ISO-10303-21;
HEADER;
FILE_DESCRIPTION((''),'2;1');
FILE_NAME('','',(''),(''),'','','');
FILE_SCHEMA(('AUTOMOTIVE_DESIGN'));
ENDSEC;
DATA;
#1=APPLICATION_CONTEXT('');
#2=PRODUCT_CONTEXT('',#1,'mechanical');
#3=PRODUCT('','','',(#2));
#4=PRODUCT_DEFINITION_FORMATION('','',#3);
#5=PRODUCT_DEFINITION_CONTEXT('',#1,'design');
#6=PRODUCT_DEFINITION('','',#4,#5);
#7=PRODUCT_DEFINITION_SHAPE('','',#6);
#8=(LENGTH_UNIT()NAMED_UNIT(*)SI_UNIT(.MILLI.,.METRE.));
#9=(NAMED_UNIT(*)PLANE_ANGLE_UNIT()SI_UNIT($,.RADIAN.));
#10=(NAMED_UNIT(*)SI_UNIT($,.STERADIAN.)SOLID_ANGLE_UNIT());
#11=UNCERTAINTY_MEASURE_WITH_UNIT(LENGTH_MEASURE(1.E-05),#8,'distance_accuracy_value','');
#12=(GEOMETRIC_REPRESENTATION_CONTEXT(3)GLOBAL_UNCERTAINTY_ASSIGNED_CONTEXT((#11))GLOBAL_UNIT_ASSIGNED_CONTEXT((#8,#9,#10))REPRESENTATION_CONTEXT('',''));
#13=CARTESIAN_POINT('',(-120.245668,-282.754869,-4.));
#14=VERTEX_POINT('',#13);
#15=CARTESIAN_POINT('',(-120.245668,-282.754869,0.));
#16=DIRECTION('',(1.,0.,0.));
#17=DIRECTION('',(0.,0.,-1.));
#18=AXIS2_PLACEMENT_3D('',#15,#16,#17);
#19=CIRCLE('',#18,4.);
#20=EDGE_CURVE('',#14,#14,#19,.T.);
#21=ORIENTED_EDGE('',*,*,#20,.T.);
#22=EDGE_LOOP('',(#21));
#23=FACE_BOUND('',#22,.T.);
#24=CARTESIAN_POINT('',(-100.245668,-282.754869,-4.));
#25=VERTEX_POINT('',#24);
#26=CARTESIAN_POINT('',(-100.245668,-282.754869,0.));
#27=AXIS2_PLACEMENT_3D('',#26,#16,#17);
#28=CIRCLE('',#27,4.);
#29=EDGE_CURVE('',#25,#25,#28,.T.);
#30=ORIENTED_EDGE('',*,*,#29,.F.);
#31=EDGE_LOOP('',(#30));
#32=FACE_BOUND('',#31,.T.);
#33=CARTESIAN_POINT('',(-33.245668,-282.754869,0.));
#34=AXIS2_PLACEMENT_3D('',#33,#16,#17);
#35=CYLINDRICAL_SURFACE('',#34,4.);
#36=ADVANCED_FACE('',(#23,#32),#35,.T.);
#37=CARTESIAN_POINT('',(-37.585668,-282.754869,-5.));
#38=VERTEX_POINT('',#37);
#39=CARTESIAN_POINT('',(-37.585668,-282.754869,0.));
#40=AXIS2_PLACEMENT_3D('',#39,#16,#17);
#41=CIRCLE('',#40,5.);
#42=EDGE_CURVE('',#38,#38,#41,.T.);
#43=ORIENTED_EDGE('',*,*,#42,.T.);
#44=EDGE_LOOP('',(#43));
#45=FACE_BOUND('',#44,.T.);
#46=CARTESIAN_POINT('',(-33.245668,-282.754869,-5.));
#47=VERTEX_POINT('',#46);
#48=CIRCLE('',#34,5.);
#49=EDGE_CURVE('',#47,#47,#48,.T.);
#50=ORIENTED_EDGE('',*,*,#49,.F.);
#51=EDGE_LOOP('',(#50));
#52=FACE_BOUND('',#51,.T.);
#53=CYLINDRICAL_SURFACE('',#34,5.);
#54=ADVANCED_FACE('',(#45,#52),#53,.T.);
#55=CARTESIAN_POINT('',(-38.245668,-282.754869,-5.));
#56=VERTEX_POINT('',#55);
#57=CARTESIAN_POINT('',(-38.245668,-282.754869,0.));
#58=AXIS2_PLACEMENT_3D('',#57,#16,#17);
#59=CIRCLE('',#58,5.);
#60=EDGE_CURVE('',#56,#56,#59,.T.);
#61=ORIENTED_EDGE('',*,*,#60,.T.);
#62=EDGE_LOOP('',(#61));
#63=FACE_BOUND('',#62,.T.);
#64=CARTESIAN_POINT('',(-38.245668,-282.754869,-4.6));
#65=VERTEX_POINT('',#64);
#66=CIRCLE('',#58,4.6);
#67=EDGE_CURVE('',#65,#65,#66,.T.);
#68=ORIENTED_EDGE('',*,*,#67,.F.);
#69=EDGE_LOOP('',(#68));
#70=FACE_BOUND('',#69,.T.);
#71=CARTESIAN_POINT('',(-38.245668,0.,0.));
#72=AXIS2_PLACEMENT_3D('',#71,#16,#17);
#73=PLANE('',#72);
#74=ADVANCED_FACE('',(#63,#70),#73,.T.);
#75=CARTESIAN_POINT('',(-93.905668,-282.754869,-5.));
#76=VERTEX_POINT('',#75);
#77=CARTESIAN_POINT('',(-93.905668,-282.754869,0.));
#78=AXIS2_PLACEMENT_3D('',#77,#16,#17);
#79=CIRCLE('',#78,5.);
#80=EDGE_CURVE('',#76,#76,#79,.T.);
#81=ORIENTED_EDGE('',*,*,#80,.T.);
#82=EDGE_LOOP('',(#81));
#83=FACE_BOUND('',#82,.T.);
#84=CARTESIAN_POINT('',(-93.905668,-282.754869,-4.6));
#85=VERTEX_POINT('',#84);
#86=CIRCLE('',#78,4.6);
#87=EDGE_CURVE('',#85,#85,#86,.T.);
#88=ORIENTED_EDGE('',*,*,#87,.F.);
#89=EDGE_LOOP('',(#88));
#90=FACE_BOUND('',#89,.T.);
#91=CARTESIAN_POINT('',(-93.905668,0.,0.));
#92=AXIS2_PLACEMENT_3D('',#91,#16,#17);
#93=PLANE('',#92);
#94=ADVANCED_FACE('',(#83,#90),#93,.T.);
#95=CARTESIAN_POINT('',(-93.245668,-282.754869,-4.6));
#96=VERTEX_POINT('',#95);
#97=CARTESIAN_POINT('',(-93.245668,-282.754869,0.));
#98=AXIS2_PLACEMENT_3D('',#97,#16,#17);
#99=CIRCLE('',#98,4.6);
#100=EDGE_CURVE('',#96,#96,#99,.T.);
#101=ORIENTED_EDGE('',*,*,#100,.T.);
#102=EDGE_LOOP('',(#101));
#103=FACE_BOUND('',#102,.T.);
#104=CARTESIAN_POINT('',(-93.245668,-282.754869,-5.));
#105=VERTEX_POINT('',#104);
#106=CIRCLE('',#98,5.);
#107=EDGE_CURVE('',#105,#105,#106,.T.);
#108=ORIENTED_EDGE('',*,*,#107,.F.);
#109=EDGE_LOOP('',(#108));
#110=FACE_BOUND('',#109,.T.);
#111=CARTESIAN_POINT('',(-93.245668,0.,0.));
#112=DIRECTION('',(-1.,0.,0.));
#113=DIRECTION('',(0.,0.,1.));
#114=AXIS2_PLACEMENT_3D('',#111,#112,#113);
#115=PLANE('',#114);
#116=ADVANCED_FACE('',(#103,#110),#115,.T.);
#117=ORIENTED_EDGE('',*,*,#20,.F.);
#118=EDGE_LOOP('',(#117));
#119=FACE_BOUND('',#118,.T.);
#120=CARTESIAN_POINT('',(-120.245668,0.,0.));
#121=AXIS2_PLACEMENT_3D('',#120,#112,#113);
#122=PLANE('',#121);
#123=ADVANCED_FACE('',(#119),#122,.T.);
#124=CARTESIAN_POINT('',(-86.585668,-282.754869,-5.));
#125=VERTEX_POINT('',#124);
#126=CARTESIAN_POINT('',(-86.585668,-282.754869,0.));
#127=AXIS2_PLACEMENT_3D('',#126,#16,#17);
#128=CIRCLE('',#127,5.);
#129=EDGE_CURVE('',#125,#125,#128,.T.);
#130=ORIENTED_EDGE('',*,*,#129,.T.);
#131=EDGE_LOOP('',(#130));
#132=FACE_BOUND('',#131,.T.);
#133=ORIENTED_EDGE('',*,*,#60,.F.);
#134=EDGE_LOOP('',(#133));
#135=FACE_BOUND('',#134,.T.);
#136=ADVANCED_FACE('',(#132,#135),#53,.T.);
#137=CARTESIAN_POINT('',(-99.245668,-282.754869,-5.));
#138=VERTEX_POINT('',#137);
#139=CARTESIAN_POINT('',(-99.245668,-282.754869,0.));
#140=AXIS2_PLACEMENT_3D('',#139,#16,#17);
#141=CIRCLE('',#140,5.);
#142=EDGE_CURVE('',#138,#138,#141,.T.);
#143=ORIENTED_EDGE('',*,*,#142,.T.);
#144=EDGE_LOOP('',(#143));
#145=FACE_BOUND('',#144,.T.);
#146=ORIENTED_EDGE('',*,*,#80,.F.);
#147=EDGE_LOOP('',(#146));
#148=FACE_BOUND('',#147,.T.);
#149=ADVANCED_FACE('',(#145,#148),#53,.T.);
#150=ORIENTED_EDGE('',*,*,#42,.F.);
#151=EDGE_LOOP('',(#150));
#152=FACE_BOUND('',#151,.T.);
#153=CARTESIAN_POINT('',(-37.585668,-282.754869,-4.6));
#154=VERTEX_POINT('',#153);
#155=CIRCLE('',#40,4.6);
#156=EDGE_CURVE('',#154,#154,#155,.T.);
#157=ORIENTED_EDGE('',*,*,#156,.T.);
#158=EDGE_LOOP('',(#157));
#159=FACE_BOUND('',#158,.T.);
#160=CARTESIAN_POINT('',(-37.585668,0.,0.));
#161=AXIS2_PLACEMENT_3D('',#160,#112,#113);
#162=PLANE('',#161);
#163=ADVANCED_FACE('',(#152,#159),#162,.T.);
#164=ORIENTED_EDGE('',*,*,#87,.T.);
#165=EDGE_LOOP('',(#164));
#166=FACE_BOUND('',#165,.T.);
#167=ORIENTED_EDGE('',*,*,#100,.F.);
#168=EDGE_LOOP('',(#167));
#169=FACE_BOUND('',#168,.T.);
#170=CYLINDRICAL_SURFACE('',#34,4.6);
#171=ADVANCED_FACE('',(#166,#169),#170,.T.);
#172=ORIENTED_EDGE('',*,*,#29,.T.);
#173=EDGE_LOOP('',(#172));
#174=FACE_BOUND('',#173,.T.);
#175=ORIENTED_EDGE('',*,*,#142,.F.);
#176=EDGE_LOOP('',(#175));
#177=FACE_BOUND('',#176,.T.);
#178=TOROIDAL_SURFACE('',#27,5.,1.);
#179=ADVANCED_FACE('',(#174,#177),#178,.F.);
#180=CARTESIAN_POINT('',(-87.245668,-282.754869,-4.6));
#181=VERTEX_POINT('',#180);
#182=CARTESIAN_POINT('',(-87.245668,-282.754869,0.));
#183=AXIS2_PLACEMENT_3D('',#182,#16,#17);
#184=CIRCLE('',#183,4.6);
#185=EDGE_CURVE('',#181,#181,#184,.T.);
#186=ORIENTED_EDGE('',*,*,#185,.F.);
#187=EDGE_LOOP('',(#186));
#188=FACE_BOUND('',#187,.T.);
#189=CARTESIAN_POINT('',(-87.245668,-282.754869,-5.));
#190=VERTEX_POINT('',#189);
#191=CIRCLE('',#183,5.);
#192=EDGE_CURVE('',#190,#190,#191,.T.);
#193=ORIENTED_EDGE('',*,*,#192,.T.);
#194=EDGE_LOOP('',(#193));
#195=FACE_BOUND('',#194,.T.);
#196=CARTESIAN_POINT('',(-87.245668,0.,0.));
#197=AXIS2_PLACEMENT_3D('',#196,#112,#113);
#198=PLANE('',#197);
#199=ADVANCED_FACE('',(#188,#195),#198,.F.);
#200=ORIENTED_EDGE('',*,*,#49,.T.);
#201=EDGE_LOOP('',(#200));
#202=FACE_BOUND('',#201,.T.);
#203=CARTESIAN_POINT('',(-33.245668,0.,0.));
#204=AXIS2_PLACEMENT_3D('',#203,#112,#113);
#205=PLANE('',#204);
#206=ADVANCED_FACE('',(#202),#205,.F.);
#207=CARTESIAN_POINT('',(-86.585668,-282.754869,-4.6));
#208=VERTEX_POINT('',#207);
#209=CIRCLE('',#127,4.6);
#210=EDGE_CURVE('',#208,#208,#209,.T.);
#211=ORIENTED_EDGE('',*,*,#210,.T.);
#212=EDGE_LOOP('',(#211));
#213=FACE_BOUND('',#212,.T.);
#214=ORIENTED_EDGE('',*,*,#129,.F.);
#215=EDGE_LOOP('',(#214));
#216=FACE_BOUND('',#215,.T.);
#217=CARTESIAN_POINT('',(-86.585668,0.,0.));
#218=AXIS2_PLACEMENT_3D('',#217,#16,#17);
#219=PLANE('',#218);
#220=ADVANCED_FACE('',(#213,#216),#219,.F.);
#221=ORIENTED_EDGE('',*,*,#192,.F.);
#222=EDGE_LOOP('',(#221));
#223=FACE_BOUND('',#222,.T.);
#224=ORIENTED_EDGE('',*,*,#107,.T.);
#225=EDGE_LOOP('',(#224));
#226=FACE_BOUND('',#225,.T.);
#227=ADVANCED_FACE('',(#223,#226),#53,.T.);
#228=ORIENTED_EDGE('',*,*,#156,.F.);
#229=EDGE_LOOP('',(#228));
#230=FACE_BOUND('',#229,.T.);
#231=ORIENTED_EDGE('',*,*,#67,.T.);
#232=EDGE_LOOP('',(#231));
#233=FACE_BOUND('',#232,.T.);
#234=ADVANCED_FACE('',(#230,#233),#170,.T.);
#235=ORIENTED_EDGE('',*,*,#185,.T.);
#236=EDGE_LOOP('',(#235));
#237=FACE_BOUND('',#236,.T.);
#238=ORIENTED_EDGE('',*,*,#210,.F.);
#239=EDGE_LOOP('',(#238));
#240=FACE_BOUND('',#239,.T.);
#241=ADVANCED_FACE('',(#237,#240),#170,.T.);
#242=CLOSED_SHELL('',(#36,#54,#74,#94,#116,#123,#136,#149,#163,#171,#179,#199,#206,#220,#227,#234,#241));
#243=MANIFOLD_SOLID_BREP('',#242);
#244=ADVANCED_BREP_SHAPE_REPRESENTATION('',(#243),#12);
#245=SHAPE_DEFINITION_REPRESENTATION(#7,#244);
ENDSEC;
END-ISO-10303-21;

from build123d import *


with BuildPart() as part:
    # Sketch1 → Revolve1 (revolve)
    with BuildSketch(Plane(origin=(0, 0, 0), x_dir=(-1, 0, 0), z_dir=(0, 0, 1)), mode=Mode.PRIVATE) as revolve1_sk:
        with BuildLine():
            Line((93.245668053, 287.354869365), (93.245668053, 287.754869365))
            Line((93.245668053, 287.754869365), (87.245668053, 287.754869365))
            Line((87.245668053, 287.754869365), (87.245668053, 287.354869365))
            Line((87.245668053, 287.354869365), (86.585668053, 287.354869365))
            Line((86.585668053, 287.354869365), (86.585668053, 287.754869365))
            Line((86.585668053, 287.754869365), (38.245668053, 287.754869365))
            Line((38.245668053, 287.754869365), (38.245668053, 287.354869365))
            Line((38.245668053, 287.354869365), (37.585668053, 287.354869365))
            Line((37.585668053, 287.354869365), (37.585668053, 287.754869365))
            Line((37.585668053, 287.754869365), (33.245668053, 287.754869365))
            Line((33.245668053, 287.754869365), (33.245668053, 282.754869365))
            Line((33.245668053, 282.754869365), (120.245668053, 282.754869365))
            Line((120.245668053, 282.754869365), (120.245668053, 286.754869365))
            Line((120.245668053, 286.754869365), (100.245668053, 286.754869365))
            ThreePointArc((100.245668053, 286.754869365), (99.538561272, 287.047762584), (99.245668053, 287.754869365))
            Line((99.245668053, 287.754869365), (93.905668053, 287.754869365))
            Line((93.905668053, 287.754869365), (93.905668053, 287.354869365))
            Line((93.905668053, 287.354869365), (93.245668053, 287.354869365))
        make_face()
    revolve(revolve1_sk.sketch.rotate(Axis((-33.245668053, -282.754869365, 0), (-1, 0, 0)), 270), axis=Axis((-33.245668053, -282.754869365, 0), (-1, 0, 0)))


solid = part.part
